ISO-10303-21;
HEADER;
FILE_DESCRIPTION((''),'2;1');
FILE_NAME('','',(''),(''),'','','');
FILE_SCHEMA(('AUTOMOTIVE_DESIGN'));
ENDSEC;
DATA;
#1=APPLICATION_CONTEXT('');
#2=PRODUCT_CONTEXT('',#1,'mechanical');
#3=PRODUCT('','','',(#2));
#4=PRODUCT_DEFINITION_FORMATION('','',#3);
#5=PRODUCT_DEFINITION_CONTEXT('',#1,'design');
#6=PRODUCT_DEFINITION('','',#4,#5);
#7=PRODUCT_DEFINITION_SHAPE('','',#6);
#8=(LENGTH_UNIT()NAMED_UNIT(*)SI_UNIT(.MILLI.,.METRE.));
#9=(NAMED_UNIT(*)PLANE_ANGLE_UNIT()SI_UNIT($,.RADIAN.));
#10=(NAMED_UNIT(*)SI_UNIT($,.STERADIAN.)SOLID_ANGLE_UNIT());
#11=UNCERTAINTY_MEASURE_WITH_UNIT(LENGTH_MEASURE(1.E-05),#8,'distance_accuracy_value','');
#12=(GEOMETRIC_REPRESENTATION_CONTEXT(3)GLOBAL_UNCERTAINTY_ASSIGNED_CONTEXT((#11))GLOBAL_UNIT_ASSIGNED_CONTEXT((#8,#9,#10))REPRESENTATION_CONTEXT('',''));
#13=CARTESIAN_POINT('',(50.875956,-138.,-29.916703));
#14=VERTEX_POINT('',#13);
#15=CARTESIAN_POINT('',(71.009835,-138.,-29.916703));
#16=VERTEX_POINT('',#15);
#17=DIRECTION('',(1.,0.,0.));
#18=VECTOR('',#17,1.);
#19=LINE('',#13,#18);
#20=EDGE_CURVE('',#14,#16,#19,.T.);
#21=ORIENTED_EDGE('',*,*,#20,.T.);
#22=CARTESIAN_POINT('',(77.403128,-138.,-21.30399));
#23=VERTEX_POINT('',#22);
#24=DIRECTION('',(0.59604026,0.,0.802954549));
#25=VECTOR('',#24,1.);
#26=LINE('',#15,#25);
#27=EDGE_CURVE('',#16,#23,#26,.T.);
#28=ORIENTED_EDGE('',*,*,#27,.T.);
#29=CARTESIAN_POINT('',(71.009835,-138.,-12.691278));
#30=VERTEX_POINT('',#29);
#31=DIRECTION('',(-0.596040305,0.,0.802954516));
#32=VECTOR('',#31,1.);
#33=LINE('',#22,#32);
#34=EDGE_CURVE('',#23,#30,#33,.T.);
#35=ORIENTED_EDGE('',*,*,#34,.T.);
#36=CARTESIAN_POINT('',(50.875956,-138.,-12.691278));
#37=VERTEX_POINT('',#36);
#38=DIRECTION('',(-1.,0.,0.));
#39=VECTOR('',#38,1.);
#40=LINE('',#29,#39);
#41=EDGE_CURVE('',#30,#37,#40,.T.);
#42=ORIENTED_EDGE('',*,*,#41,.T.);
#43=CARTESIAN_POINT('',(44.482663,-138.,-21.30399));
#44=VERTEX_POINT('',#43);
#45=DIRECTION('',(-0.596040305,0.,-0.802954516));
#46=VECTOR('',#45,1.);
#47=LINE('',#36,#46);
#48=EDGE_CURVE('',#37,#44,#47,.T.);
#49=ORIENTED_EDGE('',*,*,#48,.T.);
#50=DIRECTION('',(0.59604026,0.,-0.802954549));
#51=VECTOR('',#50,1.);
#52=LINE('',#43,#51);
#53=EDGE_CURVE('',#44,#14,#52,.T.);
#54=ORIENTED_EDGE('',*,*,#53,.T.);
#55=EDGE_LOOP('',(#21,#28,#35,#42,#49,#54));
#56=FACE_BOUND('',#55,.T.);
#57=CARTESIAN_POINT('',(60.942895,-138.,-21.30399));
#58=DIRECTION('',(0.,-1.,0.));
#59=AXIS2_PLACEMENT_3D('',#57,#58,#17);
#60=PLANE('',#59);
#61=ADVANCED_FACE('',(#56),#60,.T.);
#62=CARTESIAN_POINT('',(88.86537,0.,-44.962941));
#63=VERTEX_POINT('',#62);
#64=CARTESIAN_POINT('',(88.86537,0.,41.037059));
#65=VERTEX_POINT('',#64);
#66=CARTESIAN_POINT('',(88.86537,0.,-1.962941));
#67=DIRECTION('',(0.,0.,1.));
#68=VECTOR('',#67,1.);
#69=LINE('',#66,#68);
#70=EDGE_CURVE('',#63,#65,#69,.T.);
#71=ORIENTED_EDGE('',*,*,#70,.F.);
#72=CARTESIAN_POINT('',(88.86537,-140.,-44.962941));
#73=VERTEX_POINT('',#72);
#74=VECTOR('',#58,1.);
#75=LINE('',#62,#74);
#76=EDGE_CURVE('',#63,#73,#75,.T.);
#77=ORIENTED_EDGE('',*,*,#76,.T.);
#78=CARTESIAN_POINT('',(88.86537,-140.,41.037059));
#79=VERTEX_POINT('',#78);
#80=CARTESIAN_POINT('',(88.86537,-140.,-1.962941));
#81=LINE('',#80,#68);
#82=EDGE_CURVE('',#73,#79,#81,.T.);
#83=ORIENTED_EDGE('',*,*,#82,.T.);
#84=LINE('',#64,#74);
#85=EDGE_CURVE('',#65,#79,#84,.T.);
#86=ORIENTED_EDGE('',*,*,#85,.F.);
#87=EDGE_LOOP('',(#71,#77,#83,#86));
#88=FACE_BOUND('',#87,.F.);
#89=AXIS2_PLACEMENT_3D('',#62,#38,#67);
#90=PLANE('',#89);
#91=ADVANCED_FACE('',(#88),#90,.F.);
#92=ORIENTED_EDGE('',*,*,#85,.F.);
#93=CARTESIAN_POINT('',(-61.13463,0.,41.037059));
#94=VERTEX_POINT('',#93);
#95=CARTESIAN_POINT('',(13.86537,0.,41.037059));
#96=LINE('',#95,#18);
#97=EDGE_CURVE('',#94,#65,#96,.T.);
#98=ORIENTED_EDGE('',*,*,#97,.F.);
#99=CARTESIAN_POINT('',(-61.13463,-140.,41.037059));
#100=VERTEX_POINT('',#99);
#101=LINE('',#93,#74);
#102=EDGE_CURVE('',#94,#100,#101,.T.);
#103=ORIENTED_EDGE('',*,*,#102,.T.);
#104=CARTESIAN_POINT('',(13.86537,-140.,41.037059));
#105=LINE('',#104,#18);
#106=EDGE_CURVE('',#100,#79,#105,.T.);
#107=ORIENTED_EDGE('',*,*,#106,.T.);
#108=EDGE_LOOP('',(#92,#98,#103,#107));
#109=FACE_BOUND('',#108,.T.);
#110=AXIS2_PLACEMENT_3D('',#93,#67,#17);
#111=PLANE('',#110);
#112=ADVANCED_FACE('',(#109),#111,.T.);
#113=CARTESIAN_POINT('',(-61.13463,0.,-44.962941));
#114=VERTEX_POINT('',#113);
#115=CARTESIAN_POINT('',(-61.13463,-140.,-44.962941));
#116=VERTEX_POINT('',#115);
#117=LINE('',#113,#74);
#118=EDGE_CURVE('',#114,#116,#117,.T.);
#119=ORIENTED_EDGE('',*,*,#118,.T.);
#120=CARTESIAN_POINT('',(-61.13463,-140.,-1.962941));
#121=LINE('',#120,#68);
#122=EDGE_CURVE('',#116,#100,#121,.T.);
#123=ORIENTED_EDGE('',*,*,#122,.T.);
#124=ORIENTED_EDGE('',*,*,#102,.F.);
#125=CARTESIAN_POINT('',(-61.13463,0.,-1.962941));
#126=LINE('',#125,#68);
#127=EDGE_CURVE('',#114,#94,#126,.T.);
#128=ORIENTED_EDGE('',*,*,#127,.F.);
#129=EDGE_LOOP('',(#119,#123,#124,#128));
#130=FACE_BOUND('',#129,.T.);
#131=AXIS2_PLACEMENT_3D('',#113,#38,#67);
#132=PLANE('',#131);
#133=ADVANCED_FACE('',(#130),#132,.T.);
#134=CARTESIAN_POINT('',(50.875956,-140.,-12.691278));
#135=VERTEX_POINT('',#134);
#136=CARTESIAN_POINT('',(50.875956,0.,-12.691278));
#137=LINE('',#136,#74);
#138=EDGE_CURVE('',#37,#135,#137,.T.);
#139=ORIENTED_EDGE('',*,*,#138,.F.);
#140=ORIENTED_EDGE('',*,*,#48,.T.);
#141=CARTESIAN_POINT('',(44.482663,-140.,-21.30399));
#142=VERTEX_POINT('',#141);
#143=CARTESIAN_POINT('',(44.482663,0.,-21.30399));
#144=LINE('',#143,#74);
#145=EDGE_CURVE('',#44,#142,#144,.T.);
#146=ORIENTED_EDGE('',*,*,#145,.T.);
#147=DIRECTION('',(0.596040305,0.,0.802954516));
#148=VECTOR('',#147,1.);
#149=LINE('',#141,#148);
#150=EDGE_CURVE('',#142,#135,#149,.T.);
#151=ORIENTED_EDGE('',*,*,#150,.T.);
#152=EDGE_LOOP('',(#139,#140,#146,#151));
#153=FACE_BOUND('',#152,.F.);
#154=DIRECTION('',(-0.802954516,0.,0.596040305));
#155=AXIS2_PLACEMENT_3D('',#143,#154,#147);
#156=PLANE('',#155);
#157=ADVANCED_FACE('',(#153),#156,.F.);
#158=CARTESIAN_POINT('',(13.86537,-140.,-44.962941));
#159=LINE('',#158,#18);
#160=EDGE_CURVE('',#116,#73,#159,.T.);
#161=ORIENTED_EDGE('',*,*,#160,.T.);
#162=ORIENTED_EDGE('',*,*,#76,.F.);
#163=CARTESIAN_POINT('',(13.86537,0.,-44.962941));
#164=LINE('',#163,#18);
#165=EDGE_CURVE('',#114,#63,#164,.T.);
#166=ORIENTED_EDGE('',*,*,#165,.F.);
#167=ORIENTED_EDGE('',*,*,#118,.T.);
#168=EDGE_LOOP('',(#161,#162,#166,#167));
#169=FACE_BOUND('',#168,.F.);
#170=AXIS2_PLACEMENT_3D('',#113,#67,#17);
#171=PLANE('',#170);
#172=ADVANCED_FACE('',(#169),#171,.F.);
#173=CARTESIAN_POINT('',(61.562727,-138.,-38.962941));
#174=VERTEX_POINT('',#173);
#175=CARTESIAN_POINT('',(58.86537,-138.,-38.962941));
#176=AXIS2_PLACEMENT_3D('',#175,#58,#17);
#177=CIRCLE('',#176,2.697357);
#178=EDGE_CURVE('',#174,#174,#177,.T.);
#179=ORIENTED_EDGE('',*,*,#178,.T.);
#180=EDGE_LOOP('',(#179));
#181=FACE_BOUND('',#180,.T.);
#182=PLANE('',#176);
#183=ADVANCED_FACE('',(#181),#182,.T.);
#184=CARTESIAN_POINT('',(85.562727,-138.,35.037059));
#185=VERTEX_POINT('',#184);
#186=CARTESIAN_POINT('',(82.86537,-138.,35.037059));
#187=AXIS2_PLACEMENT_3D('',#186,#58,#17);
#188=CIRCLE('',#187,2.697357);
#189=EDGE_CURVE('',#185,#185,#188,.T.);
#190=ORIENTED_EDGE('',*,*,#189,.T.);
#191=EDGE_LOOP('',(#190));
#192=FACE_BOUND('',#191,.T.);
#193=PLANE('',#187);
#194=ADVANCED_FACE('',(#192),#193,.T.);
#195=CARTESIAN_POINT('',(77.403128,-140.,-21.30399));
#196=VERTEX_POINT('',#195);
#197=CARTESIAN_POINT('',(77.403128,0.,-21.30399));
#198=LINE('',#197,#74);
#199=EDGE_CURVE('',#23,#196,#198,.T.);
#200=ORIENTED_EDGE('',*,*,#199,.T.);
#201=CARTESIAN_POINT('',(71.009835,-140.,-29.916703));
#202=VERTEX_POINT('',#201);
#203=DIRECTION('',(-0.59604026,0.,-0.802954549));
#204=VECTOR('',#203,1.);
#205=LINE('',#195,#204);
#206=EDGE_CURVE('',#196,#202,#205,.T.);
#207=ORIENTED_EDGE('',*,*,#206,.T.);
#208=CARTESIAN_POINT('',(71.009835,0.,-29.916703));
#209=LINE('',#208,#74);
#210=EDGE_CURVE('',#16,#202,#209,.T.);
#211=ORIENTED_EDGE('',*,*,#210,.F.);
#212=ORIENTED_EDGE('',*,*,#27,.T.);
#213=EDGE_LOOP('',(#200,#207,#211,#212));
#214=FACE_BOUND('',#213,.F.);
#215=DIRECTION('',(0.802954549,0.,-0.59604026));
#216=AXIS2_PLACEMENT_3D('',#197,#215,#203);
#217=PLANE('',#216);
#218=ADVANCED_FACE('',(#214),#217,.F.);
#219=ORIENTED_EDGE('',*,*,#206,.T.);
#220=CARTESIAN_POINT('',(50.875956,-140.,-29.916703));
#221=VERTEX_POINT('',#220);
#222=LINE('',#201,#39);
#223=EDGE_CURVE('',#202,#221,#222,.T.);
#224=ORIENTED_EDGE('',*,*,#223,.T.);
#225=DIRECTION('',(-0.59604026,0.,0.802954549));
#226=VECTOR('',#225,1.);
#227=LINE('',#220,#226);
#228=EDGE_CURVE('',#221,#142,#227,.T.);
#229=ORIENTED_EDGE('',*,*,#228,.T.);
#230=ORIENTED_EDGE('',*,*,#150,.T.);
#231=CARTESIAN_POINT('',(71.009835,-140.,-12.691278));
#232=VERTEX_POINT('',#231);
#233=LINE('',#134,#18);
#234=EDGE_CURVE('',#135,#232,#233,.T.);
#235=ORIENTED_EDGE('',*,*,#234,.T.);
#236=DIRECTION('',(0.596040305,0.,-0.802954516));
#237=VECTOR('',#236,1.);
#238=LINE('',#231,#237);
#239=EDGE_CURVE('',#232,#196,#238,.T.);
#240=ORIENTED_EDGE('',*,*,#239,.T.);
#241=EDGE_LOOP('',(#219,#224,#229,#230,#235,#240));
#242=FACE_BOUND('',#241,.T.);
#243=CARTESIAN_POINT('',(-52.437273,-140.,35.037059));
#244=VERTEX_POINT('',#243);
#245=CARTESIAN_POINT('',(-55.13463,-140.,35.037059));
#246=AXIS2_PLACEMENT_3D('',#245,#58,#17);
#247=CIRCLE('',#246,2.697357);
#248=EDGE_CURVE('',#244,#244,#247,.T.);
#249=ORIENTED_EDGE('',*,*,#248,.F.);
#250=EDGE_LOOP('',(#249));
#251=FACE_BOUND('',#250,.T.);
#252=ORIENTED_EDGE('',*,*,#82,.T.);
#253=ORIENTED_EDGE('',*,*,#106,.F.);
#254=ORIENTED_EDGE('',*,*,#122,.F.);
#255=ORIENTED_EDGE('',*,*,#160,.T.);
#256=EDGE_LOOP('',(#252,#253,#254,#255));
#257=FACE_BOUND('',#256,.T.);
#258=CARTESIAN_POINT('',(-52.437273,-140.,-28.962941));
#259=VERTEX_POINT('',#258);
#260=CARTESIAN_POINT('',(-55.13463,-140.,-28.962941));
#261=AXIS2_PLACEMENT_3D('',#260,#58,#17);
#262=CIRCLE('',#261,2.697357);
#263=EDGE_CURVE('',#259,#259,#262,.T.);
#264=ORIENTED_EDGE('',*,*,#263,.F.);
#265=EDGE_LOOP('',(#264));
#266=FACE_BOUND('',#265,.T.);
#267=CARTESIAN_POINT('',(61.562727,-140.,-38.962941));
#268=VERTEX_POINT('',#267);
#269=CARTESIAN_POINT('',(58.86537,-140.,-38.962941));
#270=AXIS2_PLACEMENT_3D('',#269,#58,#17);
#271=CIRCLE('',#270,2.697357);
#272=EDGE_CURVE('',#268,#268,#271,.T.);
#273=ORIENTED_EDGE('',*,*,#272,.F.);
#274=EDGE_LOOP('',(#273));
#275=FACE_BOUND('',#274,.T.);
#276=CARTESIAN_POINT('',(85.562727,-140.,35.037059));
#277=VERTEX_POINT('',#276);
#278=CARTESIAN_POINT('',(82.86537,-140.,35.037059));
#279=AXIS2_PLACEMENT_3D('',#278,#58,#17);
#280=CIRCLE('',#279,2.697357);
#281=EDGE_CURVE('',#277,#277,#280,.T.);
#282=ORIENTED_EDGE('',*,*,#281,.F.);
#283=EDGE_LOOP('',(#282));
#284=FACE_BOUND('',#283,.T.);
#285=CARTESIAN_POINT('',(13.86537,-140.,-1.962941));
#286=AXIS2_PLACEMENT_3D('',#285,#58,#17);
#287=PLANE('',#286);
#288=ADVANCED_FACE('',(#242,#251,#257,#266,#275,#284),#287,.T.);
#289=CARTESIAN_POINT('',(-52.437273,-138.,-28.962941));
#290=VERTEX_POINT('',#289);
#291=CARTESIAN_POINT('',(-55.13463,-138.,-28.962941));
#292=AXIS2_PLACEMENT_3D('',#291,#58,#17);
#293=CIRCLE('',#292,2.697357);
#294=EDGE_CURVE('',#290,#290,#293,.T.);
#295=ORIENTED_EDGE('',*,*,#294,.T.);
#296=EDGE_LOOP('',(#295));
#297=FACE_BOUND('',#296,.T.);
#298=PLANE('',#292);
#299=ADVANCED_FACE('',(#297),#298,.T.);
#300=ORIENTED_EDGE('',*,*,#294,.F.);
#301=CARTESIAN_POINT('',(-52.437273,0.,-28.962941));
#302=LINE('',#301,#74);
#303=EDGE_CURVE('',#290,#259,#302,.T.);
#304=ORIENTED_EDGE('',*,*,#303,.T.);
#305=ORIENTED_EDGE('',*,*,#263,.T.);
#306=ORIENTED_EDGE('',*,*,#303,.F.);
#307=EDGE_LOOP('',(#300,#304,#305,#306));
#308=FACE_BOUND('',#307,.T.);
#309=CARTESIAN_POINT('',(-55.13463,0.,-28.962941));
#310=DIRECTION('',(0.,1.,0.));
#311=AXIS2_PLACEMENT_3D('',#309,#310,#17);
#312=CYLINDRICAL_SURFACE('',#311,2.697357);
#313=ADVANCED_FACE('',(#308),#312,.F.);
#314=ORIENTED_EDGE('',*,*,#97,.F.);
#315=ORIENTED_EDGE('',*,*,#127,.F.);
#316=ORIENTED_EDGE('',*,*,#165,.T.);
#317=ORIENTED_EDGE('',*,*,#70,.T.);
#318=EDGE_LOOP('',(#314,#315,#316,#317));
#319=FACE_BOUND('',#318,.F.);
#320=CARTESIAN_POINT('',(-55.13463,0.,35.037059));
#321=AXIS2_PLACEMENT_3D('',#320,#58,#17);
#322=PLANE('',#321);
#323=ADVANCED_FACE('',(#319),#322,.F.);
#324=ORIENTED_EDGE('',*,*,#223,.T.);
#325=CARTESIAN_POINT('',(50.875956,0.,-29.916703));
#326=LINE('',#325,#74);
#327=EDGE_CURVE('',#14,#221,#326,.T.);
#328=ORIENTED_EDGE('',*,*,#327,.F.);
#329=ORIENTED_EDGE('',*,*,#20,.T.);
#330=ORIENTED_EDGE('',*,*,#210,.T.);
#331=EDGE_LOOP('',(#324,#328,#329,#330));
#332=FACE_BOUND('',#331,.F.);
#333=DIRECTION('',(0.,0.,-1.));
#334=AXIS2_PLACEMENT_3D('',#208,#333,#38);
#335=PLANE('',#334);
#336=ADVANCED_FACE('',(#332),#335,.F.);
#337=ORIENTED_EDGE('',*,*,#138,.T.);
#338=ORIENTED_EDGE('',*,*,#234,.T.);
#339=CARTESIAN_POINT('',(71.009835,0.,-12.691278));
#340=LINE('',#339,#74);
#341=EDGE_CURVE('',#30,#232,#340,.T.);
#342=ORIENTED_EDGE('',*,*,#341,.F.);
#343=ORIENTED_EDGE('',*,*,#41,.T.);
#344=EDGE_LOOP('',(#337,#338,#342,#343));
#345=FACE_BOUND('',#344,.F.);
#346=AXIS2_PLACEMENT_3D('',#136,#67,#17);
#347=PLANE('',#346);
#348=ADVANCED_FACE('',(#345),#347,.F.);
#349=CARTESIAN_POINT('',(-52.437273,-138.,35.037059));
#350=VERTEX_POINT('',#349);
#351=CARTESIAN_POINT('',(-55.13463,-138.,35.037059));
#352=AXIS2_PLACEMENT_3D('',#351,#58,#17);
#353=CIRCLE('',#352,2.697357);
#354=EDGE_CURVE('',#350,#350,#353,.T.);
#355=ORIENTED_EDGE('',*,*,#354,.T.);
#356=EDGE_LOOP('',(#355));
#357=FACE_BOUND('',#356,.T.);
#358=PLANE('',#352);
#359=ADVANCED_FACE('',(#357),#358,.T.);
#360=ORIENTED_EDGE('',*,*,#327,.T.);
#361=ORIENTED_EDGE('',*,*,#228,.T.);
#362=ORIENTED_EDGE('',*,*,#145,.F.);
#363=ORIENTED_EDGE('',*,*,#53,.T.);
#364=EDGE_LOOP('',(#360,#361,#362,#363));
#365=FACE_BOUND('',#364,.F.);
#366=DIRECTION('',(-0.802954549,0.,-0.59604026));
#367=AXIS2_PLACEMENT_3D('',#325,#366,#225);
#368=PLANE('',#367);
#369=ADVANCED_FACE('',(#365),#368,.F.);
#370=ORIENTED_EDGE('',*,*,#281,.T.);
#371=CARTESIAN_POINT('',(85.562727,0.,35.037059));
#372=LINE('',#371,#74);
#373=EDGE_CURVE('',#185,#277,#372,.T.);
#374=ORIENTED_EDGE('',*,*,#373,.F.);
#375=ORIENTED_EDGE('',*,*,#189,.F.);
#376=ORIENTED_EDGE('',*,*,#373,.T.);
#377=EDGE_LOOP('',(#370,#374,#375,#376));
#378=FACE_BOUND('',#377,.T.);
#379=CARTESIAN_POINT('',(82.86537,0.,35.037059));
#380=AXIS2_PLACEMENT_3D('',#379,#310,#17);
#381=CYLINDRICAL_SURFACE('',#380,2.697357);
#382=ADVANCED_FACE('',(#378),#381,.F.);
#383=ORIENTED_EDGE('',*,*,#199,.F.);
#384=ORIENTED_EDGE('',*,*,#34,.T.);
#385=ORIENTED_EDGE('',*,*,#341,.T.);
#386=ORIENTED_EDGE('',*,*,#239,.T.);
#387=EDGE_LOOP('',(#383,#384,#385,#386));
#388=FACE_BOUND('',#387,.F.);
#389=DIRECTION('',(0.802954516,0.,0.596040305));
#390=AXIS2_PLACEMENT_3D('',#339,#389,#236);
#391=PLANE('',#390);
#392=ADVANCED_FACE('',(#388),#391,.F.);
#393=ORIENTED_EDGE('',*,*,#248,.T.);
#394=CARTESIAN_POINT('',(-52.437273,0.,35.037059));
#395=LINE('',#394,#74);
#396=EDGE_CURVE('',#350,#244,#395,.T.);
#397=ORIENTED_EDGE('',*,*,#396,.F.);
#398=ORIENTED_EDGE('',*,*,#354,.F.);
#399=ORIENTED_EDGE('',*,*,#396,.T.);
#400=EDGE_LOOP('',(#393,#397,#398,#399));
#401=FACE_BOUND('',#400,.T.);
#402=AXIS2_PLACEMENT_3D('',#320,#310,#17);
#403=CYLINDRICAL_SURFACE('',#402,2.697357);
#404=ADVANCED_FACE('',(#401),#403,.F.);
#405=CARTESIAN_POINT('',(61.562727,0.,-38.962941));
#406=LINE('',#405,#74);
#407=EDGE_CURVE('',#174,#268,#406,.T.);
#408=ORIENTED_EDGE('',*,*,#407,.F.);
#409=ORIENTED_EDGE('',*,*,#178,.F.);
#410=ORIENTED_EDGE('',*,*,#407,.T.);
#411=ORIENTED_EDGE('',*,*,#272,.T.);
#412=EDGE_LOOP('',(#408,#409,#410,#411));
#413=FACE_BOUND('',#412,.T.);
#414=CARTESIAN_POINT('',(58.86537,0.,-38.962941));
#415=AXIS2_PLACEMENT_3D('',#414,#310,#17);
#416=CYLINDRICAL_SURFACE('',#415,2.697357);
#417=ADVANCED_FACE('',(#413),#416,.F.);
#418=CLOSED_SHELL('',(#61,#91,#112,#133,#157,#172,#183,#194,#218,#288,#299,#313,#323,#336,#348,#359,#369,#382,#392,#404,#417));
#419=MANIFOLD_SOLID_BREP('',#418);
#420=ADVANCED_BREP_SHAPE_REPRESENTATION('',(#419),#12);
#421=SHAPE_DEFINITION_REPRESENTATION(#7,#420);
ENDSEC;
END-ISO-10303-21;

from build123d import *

# Parameters (mm, degrees)
F0_W     = 150
F0_H     = 86
F0_R     = 2.697357
F1_DEPTH = 140
F2_DEPTH = 138


with BuildPart() as f1:
    # F0 (on Front) → F1 (new body)
    with BuildSketch(Plane.XZ):
        with Locations((13.86537, -1.962941)):
            Rectangle(F0_W, F0_H)
        with Locations((-55.13463, -28.962941)):
            Circle(F0_R, mode=Mode.SUBTRACT)
        with Locations((58.86537, -38.962941)):
            Circle(F0_R, mode=Mode.SUBTRACT)
        Polygon((71.009835, -29.916703), (50.875956, -29.916703), (44.482663, -21.30399), (50.875956, -12.691278), (71.009835, -12.691278), (77.403128, -21.30399), align=None, mode=Mode.SUBTRACT)
        with Locations((-55.13463, 35.037059)):
            Circle(F0_R, mode=Mode.SUBTRACT)
        with Locations((82.86537, 35.037059)):
            Circle(F0_R, mode=Mode.SUBTRACT)
    extrude(amount=F1_DEPTH)

    # F0 (on Front) → F2 (join)
    with BuildSketch(Plane.XZ):
        with Locations((-55.13463, 35.037059)):
            Circle(F0_R)
        with Locations((-55.13463, -28.962941)):
            Circle(F0_R)
        with Locations((58.86537, -38.962941)):
            Circle(F0_R)
        Polygon((44.482663, -21.30399), (50.875956, -29.916703), (71.009835, -29.916703), (77.403128, -21.30399), (71.009835, -12.691278), (50.875956, -12.691278), align=None)
        with Locations((82.86537, 35.037059)):
            Circle(F0_R)
    extrude(amount=F2_DEPTH)


solid = f1.part
